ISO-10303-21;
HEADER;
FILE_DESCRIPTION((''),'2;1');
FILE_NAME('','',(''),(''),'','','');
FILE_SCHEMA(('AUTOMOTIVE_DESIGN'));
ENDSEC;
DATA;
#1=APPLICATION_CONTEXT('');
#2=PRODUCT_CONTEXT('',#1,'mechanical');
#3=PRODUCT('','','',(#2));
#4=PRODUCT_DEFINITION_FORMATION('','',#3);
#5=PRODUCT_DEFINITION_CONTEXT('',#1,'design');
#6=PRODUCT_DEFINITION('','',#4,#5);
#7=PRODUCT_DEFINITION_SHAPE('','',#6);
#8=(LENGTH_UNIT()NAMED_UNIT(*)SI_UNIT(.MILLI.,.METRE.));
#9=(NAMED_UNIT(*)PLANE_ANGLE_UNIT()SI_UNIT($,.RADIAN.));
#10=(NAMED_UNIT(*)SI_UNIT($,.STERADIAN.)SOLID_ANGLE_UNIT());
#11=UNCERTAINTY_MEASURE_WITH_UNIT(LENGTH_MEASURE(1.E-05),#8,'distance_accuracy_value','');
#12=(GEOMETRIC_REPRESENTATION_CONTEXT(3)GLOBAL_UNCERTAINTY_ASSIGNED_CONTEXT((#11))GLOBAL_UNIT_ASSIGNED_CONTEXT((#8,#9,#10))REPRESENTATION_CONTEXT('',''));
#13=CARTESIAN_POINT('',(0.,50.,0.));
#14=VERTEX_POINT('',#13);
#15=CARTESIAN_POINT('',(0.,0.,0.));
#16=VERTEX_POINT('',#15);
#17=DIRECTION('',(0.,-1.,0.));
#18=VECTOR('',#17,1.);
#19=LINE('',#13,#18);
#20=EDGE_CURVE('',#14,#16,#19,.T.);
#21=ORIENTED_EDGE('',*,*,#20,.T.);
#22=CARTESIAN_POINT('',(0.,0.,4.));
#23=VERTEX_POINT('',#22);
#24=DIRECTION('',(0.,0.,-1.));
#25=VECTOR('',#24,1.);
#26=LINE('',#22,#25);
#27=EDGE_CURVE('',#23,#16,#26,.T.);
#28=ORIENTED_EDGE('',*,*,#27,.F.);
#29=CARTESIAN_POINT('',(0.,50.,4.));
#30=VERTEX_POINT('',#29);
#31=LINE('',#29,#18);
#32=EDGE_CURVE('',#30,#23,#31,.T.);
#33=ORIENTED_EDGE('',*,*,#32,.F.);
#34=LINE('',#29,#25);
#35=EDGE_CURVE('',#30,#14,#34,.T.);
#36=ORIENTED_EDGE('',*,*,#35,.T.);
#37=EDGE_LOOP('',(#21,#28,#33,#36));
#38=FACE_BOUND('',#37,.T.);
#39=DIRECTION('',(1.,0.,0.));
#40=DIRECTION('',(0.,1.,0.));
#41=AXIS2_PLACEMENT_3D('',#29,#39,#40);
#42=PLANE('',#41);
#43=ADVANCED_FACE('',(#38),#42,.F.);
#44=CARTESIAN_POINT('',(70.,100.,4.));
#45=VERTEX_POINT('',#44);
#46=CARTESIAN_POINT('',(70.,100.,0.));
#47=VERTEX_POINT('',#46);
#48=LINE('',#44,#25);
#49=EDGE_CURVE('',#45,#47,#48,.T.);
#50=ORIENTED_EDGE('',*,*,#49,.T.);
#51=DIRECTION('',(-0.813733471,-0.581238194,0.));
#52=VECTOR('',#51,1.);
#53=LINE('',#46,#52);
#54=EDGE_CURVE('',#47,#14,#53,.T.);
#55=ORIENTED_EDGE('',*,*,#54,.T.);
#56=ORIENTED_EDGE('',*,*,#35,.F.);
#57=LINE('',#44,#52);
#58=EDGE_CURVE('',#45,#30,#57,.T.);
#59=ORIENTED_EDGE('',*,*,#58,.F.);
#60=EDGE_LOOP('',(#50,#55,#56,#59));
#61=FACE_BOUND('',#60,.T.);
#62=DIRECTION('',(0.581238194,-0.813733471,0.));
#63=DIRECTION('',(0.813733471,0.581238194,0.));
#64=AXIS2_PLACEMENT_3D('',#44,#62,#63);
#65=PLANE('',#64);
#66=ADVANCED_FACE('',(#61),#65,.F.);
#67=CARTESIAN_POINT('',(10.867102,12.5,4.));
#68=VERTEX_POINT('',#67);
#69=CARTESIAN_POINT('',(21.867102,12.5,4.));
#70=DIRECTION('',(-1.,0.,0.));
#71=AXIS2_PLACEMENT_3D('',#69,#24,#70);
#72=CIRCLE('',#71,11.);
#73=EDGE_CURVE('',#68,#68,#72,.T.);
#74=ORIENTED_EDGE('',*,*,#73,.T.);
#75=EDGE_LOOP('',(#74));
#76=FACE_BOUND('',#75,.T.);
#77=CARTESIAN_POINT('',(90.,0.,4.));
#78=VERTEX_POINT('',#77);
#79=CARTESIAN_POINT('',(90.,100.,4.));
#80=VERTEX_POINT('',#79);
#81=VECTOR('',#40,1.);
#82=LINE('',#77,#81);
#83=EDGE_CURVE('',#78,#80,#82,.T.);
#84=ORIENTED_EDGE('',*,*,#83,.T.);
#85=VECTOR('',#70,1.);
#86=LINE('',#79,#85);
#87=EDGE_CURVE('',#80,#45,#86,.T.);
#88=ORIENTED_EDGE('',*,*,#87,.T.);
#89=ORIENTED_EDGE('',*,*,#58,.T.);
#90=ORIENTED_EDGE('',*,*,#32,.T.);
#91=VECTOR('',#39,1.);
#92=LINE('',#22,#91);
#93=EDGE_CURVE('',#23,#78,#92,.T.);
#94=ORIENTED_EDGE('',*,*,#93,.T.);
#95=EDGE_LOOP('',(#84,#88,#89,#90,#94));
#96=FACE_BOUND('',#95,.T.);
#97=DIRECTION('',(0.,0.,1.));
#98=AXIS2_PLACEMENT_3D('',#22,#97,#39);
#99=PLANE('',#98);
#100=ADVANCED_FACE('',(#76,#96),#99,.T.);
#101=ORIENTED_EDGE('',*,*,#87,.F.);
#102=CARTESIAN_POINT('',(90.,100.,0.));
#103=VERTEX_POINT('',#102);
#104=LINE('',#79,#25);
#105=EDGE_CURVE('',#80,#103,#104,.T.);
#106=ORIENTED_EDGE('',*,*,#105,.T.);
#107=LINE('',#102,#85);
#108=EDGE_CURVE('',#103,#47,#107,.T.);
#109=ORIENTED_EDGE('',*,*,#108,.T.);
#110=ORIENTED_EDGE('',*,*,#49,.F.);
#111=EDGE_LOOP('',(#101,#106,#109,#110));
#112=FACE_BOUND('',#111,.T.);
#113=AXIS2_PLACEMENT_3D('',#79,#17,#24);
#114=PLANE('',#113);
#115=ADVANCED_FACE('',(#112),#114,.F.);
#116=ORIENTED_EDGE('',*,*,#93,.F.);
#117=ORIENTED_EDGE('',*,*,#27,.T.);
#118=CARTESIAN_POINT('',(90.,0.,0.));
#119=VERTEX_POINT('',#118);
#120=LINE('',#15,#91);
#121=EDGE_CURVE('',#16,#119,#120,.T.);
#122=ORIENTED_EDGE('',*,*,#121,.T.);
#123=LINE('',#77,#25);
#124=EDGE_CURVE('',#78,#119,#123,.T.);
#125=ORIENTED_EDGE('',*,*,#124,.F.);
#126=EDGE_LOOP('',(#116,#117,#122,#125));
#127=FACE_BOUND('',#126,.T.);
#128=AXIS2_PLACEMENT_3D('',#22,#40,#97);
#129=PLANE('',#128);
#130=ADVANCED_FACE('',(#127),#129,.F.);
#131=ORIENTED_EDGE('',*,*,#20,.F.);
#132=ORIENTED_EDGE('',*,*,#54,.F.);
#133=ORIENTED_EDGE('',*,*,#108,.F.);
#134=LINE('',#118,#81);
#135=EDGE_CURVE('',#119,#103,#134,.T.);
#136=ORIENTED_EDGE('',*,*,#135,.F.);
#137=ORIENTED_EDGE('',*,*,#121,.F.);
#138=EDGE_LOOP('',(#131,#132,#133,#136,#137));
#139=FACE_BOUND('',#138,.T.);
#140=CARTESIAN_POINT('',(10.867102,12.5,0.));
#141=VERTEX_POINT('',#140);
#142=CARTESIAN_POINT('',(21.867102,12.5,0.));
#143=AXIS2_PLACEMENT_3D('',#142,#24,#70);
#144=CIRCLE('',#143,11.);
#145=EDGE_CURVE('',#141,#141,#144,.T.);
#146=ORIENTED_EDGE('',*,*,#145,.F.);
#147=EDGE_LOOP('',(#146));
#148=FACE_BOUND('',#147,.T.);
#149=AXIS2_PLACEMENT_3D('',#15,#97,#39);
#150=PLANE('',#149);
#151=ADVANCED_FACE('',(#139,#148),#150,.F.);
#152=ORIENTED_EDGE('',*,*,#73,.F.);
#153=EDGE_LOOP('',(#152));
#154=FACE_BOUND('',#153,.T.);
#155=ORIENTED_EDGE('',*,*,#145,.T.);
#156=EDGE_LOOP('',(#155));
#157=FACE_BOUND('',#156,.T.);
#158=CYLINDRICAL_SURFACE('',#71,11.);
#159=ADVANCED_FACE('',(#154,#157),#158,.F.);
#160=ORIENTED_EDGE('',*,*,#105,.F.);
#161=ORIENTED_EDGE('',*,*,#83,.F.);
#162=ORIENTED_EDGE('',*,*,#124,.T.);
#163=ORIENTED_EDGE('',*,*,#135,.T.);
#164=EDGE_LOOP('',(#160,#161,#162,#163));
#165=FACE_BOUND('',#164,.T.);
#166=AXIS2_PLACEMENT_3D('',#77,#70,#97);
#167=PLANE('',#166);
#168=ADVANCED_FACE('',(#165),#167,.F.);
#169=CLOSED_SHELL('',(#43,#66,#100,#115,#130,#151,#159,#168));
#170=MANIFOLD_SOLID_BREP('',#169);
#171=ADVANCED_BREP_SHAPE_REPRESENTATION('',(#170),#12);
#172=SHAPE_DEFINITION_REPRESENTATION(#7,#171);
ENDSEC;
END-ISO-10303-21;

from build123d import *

# Parameters (mm, degrees)
BOSS_EXTRUDE1_DEPTH = 4
SKETCH2_R           = 11
CUT_EXTRUDE1_DEPTH  = 135.595690867


with BuildPart() as part:
    # Sketch1 → Boss-Extrude1 (new body)
    with BuildSketch(Plane.XY):
        Polygon((0, 0), (90, 0), (90, 100), (70, 100), (0, 50), align=None)
    extrude(amount=BOSS_EXTRUDE1_DEPTH)

    # Sketch2 → Cut-Extrude1 (cut, through all)
    with BuildSketch(Plane(origin=(0, 0, 0), x_dir=(-1, 0, 0), z_dir=(0, 0, -1))):
        with Locations((-21.867101934, 12.5)):
            Circle(SKETCH2_R)
    extrude(amount=-CUT_EXTRUDE1_DEPTH, mode=Mode.SUBTRACT)


solid = part.part
